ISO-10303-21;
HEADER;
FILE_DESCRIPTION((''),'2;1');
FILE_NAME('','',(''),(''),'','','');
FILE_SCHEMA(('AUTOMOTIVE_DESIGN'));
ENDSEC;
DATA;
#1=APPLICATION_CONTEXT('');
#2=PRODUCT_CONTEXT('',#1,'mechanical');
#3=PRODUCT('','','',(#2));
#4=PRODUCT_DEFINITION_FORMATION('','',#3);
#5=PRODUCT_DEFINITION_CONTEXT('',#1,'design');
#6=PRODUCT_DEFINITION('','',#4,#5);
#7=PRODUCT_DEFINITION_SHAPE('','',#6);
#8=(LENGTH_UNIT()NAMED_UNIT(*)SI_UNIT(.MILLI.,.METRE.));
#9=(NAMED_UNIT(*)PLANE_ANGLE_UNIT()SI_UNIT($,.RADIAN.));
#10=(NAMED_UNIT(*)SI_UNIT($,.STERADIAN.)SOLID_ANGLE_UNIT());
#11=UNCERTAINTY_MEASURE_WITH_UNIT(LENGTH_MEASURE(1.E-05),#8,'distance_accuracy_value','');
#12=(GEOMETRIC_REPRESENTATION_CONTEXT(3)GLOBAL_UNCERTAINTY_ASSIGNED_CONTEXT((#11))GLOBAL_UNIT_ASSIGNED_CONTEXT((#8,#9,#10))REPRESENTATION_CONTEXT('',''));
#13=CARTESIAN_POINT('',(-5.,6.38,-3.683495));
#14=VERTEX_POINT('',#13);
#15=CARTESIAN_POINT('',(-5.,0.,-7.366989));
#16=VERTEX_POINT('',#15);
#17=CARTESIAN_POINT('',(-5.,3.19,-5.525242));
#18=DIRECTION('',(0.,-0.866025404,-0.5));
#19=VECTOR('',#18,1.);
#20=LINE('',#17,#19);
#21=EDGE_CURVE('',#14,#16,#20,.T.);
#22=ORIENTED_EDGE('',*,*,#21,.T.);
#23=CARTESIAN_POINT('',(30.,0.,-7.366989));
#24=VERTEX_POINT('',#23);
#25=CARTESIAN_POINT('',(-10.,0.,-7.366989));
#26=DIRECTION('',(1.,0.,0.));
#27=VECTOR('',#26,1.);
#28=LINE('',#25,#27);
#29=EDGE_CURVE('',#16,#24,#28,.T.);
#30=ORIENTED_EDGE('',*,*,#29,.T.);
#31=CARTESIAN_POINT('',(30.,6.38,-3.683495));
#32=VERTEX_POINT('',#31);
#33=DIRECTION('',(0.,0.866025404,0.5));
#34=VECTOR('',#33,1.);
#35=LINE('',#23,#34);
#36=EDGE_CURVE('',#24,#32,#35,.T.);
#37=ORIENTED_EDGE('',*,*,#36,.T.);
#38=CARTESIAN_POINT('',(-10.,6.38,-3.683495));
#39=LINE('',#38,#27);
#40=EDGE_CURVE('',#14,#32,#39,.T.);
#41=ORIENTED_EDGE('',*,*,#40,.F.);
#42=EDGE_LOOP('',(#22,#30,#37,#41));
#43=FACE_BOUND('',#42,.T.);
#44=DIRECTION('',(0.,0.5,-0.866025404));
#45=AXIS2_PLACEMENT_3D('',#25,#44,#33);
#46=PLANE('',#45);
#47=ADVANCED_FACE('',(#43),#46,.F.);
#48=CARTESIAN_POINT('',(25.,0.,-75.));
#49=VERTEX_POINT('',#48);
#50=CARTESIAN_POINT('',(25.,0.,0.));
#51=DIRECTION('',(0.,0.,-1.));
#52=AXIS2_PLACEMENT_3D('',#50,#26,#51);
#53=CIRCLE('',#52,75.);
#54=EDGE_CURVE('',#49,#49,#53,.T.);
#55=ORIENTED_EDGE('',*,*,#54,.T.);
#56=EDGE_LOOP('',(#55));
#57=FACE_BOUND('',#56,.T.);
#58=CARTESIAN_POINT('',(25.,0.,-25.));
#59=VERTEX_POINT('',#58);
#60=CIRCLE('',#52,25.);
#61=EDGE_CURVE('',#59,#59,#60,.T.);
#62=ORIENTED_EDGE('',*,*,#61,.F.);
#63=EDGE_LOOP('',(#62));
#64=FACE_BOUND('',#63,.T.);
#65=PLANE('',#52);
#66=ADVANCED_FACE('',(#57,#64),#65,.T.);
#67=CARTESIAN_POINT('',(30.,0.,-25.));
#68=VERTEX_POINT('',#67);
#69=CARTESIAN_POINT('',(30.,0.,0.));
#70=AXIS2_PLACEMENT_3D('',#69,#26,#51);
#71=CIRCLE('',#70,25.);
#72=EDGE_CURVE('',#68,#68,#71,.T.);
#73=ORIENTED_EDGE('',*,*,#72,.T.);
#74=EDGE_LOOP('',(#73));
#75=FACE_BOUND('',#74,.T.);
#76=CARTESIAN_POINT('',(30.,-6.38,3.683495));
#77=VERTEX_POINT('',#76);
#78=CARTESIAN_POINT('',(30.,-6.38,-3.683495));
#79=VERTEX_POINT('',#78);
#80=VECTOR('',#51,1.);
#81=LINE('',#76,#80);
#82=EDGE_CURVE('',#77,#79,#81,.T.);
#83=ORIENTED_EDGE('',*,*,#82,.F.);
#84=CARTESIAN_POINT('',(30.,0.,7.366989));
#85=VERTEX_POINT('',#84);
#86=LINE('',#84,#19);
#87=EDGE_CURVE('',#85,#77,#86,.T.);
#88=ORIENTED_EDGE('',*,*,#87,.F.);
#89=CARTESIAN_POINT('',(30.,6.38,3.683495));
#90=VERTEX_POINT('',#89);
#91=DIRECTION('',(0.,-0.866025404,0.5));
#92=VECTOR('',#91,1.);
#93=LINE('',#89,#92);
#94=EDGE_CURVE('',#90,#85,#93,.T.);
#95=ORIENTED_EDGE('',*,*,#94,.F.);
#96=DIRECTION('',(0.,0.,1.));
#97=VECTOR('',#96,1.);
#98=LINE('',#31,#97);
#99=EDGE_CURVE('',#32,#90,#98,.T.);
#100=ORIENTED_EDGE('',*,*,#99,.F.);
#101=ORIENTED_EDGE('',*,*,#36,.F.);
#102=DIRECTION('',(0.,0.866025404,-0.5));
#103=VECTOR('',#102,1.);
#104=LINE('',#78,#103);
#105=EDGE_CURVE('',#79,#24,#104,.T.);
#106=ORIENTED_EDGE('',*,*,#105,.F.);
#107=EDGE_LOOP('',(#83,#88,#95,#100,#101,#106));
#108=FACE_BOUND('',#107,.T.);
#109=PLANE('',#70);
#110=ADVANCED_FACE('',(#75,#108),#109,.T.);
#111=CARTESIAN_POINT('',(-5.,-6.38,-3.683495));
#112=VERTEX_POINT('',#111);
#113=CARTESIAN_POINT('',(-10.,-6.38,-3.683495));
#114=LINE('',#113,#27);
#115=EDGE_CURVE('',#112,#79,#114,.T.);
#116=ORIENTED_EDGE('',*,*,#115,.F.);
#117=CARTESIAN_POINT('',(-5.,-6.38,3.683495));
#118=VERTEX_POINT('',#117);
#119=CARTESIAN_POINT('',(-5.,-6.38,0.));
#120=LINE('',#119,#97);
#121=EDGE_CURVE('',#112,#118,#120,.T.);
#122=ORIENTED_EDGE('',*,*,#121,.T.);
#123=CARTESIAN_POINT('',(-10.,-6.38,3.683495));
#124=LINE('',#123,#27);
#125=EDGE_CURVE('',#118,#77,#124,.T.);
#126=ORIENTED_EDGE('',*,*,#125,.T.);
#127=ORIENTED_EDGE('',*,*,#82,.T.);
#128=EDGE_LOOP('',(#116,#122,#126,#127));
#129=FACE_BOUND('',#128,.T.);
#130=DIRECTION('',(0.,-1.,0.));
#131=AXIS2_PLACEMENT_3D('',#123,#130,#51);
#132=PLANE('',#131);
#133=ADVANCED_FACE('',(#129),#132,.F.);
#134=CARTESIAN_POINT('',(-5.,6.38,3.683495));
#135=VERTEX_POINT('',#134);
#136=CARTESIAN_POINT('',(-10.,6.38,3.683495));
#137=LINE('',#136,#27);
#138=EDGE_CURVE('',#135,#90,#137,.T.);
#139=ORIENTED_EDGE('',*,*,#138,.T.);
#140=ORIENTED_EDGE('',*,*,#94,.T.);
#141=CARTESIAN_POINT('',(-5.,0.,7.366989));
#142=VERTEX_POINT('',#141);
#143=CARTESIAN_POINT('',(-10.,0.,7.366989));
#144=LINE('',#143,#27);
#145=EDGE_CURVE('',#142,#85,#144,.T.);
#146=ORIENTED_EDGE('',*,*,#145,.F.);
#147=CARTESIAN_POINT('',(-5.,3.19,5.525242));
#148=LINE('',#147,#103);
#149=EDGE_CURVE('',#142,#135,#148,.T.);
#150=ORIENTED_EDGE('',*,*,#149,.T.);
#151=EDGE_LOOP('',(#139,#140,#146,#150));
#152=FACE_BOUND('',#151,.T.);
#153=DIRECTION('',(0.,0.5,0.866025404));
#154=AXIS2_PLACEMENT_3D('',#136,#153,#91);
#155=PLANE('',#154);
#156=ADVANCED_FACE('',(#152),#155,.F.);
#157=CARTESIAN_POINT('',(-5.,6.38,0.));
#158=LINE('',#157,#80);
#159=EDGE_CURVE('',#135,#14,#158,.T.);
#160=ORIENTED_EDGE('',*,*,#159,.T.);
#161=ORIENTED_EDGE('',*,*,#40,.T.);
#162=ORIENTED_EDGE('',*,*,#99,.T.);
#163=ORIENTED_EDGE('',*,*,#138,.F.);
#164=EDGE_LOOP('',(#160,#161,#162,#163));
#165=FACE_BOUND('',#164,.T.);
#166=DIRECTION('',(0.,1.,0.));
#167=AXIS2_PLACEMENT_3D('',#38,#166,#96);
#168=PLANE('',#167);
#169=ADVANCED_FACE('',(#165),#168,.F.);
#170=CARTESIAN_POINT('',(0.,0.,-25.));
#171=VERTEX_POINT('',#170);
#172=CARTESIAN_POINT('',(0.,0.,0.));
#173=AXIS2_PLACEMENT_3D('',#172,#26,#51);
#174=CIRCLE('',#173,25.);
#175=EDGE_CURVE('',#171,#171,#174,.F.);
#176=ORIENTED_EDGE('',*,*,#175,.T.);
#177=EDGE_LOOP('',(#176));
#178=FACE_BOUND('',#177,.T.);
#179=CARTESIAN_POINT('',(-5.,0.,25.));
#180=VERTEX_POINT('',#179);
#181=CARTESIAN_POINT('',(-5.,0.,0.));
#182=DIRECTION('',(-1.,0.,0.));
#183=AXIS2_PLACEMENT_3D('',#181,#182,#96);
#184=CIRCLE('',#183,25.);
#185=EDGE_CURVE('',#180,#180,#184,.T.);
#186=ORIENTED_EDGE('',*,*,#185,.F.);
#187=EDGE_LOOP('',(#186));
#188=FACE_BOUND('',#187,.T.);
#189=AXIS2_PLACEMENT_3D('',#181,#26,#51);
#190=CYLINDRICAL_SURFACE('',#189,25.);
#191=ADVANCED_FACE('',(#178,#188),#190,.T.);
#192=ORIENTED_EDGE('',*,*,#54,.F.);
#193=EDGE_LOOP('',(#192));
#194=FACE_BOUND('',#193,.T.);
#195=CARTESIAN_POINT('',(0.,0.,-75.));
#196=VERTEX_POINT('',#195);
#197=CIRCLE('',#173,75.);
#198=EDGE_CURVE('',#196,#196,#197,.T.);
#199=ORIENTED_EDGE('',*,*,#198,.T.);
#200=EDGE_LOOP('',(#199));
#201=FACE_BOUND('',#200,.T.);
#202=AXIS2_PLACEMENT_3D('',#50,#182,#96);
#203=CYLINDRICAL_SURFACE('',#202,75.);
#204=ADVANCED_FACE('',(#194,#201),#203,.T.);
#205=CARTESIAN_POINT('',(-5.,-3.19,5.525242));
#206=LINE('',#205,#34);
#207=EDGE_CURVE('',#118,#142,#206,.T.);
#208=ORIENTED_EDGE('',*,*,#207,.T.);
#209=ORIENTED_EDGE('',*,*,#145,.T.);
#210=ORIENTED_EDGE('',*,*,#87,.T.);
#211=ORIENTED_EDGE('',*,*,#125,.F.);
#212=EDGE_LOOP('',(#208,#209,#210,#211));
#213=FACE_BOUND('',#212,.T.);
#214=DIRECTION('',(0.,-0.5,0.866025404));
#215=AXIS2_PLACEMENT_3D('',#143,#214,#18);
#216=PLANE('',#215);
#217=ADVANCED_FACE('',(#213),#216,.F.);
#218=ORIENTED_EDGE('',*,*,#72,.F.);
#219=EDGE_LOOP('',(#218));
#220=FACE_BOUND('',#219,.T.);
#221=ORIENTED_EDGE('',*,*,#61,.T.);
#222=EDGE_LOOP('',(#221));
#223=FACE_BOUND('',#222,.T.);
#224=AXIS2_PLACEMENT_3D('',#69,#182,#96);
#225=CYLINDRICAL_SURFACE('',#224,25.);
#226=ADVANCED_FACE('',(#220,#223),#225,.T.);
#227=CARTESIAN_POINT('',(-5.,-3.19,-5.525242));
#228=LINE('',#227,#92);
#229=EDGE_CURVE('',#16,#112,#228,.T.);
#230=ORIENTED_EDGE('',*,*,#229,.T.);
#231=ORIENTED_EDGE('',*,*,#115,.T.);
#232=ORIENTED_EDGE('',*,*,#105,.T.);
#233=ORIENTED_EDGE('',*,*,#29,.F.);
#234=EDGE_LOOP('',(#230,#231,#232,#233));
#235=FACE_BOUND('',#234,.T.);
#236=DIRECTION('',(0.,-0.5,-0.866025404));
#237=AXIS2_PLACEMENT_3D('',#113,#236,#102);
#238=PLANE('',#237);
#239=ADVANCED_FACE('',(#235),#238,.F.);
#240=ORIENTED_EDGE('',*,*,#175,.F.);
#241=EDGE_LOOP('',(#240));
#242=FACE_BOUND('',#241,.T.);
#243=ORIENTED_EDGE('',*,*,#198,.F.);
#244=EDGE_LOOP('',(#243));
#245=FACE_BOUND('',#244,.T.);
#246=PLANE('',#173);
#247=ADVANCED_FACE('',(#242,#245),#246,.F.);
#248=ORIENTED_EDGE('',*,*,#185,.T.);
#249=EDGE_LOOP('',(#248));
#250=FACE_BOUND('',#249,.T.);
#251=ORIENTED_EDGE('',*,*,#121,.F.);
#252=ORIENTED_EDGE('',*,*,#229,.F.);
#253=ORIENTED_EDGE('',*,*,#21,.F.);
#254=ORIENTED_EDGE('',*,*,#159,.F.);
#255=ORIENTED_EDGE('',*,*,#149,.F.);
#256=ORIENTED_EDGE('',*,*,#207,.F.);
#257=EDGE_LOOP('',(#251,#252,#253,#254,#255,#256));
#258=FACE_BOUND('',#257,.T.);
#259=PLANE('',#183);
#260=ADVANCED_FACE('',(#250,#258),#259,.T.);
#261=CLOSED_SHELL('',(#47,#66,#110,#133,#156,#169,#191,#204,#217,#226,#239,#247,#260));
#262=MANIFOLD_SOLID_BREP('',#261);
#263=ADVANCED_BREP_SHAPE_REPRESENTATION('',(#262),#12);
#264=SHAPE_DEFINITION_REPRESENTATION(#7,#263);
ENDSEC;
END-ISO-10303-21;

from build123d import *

# Parameters (mm, degrees)
SKETCH_3_R          = 75
EXTRUDE_1_DEPTH     = 25
SKETCH_4_R          = 25
EXTRUDE_3_DEPTH     = 5
EXTRUDE_START       = 5
SKETCH_6_R          = 25
EXTRUDE_4_DEPTH     = 5
CUT_EXTRUDE_3_DEPTH = 40


with BuildPart() as part:
    # 草图3 → 凸台-拉伸1 (new body)
    with BuildSketch(Plane(origin=(0, 0, 0), x_dir=(0, 0, -1), z_dir=(1, 0, 0))):
        Circle(SKETCH_3_R)
    extrude(amount=EXTRUDE_1_DEPTH)

    # 草图4 → 凸台-拉伸3 (add)
    with BuildSketch(Plane(origin=(25, 0, 0), x_dir=(0, 0, -1), z_dir=(1, 0, 0))):
        Circle(SKETCH_4_R)
    extrude(amount=EXTRUDE_3_DEPTH)

    # 草图6 → 凸台-拉伸4 (add)
    with BuildSketch(Plane.ZY.offset(EXTRUDE_START)):
        with Locations(Location((0, 0, 0), (0, 0, 180))):
            Circle(SKETCH_6_R)
    extrude(amount=-EXTRUDE_4_DEPTH)

    # 草图7 → 切除-拉伸3 (cut)
    with BuildSketch(Plane(origin=(30, 0, 0), x_dir=(0, 0, -1), z_dir=(1, 0, 0))):
        Polygon((7.366989435, 0), (3.683494717, 6.38), (-3.683494717, 6.38), (-7.366989435, 0), (-3.683494717, -6.38), (3.683494717, -6.38), align=None)
    extrude(amount=-CUT_EXTRUDE_3_DEPTH, mode=Mode.SUBTRACT)


solid = part.part
